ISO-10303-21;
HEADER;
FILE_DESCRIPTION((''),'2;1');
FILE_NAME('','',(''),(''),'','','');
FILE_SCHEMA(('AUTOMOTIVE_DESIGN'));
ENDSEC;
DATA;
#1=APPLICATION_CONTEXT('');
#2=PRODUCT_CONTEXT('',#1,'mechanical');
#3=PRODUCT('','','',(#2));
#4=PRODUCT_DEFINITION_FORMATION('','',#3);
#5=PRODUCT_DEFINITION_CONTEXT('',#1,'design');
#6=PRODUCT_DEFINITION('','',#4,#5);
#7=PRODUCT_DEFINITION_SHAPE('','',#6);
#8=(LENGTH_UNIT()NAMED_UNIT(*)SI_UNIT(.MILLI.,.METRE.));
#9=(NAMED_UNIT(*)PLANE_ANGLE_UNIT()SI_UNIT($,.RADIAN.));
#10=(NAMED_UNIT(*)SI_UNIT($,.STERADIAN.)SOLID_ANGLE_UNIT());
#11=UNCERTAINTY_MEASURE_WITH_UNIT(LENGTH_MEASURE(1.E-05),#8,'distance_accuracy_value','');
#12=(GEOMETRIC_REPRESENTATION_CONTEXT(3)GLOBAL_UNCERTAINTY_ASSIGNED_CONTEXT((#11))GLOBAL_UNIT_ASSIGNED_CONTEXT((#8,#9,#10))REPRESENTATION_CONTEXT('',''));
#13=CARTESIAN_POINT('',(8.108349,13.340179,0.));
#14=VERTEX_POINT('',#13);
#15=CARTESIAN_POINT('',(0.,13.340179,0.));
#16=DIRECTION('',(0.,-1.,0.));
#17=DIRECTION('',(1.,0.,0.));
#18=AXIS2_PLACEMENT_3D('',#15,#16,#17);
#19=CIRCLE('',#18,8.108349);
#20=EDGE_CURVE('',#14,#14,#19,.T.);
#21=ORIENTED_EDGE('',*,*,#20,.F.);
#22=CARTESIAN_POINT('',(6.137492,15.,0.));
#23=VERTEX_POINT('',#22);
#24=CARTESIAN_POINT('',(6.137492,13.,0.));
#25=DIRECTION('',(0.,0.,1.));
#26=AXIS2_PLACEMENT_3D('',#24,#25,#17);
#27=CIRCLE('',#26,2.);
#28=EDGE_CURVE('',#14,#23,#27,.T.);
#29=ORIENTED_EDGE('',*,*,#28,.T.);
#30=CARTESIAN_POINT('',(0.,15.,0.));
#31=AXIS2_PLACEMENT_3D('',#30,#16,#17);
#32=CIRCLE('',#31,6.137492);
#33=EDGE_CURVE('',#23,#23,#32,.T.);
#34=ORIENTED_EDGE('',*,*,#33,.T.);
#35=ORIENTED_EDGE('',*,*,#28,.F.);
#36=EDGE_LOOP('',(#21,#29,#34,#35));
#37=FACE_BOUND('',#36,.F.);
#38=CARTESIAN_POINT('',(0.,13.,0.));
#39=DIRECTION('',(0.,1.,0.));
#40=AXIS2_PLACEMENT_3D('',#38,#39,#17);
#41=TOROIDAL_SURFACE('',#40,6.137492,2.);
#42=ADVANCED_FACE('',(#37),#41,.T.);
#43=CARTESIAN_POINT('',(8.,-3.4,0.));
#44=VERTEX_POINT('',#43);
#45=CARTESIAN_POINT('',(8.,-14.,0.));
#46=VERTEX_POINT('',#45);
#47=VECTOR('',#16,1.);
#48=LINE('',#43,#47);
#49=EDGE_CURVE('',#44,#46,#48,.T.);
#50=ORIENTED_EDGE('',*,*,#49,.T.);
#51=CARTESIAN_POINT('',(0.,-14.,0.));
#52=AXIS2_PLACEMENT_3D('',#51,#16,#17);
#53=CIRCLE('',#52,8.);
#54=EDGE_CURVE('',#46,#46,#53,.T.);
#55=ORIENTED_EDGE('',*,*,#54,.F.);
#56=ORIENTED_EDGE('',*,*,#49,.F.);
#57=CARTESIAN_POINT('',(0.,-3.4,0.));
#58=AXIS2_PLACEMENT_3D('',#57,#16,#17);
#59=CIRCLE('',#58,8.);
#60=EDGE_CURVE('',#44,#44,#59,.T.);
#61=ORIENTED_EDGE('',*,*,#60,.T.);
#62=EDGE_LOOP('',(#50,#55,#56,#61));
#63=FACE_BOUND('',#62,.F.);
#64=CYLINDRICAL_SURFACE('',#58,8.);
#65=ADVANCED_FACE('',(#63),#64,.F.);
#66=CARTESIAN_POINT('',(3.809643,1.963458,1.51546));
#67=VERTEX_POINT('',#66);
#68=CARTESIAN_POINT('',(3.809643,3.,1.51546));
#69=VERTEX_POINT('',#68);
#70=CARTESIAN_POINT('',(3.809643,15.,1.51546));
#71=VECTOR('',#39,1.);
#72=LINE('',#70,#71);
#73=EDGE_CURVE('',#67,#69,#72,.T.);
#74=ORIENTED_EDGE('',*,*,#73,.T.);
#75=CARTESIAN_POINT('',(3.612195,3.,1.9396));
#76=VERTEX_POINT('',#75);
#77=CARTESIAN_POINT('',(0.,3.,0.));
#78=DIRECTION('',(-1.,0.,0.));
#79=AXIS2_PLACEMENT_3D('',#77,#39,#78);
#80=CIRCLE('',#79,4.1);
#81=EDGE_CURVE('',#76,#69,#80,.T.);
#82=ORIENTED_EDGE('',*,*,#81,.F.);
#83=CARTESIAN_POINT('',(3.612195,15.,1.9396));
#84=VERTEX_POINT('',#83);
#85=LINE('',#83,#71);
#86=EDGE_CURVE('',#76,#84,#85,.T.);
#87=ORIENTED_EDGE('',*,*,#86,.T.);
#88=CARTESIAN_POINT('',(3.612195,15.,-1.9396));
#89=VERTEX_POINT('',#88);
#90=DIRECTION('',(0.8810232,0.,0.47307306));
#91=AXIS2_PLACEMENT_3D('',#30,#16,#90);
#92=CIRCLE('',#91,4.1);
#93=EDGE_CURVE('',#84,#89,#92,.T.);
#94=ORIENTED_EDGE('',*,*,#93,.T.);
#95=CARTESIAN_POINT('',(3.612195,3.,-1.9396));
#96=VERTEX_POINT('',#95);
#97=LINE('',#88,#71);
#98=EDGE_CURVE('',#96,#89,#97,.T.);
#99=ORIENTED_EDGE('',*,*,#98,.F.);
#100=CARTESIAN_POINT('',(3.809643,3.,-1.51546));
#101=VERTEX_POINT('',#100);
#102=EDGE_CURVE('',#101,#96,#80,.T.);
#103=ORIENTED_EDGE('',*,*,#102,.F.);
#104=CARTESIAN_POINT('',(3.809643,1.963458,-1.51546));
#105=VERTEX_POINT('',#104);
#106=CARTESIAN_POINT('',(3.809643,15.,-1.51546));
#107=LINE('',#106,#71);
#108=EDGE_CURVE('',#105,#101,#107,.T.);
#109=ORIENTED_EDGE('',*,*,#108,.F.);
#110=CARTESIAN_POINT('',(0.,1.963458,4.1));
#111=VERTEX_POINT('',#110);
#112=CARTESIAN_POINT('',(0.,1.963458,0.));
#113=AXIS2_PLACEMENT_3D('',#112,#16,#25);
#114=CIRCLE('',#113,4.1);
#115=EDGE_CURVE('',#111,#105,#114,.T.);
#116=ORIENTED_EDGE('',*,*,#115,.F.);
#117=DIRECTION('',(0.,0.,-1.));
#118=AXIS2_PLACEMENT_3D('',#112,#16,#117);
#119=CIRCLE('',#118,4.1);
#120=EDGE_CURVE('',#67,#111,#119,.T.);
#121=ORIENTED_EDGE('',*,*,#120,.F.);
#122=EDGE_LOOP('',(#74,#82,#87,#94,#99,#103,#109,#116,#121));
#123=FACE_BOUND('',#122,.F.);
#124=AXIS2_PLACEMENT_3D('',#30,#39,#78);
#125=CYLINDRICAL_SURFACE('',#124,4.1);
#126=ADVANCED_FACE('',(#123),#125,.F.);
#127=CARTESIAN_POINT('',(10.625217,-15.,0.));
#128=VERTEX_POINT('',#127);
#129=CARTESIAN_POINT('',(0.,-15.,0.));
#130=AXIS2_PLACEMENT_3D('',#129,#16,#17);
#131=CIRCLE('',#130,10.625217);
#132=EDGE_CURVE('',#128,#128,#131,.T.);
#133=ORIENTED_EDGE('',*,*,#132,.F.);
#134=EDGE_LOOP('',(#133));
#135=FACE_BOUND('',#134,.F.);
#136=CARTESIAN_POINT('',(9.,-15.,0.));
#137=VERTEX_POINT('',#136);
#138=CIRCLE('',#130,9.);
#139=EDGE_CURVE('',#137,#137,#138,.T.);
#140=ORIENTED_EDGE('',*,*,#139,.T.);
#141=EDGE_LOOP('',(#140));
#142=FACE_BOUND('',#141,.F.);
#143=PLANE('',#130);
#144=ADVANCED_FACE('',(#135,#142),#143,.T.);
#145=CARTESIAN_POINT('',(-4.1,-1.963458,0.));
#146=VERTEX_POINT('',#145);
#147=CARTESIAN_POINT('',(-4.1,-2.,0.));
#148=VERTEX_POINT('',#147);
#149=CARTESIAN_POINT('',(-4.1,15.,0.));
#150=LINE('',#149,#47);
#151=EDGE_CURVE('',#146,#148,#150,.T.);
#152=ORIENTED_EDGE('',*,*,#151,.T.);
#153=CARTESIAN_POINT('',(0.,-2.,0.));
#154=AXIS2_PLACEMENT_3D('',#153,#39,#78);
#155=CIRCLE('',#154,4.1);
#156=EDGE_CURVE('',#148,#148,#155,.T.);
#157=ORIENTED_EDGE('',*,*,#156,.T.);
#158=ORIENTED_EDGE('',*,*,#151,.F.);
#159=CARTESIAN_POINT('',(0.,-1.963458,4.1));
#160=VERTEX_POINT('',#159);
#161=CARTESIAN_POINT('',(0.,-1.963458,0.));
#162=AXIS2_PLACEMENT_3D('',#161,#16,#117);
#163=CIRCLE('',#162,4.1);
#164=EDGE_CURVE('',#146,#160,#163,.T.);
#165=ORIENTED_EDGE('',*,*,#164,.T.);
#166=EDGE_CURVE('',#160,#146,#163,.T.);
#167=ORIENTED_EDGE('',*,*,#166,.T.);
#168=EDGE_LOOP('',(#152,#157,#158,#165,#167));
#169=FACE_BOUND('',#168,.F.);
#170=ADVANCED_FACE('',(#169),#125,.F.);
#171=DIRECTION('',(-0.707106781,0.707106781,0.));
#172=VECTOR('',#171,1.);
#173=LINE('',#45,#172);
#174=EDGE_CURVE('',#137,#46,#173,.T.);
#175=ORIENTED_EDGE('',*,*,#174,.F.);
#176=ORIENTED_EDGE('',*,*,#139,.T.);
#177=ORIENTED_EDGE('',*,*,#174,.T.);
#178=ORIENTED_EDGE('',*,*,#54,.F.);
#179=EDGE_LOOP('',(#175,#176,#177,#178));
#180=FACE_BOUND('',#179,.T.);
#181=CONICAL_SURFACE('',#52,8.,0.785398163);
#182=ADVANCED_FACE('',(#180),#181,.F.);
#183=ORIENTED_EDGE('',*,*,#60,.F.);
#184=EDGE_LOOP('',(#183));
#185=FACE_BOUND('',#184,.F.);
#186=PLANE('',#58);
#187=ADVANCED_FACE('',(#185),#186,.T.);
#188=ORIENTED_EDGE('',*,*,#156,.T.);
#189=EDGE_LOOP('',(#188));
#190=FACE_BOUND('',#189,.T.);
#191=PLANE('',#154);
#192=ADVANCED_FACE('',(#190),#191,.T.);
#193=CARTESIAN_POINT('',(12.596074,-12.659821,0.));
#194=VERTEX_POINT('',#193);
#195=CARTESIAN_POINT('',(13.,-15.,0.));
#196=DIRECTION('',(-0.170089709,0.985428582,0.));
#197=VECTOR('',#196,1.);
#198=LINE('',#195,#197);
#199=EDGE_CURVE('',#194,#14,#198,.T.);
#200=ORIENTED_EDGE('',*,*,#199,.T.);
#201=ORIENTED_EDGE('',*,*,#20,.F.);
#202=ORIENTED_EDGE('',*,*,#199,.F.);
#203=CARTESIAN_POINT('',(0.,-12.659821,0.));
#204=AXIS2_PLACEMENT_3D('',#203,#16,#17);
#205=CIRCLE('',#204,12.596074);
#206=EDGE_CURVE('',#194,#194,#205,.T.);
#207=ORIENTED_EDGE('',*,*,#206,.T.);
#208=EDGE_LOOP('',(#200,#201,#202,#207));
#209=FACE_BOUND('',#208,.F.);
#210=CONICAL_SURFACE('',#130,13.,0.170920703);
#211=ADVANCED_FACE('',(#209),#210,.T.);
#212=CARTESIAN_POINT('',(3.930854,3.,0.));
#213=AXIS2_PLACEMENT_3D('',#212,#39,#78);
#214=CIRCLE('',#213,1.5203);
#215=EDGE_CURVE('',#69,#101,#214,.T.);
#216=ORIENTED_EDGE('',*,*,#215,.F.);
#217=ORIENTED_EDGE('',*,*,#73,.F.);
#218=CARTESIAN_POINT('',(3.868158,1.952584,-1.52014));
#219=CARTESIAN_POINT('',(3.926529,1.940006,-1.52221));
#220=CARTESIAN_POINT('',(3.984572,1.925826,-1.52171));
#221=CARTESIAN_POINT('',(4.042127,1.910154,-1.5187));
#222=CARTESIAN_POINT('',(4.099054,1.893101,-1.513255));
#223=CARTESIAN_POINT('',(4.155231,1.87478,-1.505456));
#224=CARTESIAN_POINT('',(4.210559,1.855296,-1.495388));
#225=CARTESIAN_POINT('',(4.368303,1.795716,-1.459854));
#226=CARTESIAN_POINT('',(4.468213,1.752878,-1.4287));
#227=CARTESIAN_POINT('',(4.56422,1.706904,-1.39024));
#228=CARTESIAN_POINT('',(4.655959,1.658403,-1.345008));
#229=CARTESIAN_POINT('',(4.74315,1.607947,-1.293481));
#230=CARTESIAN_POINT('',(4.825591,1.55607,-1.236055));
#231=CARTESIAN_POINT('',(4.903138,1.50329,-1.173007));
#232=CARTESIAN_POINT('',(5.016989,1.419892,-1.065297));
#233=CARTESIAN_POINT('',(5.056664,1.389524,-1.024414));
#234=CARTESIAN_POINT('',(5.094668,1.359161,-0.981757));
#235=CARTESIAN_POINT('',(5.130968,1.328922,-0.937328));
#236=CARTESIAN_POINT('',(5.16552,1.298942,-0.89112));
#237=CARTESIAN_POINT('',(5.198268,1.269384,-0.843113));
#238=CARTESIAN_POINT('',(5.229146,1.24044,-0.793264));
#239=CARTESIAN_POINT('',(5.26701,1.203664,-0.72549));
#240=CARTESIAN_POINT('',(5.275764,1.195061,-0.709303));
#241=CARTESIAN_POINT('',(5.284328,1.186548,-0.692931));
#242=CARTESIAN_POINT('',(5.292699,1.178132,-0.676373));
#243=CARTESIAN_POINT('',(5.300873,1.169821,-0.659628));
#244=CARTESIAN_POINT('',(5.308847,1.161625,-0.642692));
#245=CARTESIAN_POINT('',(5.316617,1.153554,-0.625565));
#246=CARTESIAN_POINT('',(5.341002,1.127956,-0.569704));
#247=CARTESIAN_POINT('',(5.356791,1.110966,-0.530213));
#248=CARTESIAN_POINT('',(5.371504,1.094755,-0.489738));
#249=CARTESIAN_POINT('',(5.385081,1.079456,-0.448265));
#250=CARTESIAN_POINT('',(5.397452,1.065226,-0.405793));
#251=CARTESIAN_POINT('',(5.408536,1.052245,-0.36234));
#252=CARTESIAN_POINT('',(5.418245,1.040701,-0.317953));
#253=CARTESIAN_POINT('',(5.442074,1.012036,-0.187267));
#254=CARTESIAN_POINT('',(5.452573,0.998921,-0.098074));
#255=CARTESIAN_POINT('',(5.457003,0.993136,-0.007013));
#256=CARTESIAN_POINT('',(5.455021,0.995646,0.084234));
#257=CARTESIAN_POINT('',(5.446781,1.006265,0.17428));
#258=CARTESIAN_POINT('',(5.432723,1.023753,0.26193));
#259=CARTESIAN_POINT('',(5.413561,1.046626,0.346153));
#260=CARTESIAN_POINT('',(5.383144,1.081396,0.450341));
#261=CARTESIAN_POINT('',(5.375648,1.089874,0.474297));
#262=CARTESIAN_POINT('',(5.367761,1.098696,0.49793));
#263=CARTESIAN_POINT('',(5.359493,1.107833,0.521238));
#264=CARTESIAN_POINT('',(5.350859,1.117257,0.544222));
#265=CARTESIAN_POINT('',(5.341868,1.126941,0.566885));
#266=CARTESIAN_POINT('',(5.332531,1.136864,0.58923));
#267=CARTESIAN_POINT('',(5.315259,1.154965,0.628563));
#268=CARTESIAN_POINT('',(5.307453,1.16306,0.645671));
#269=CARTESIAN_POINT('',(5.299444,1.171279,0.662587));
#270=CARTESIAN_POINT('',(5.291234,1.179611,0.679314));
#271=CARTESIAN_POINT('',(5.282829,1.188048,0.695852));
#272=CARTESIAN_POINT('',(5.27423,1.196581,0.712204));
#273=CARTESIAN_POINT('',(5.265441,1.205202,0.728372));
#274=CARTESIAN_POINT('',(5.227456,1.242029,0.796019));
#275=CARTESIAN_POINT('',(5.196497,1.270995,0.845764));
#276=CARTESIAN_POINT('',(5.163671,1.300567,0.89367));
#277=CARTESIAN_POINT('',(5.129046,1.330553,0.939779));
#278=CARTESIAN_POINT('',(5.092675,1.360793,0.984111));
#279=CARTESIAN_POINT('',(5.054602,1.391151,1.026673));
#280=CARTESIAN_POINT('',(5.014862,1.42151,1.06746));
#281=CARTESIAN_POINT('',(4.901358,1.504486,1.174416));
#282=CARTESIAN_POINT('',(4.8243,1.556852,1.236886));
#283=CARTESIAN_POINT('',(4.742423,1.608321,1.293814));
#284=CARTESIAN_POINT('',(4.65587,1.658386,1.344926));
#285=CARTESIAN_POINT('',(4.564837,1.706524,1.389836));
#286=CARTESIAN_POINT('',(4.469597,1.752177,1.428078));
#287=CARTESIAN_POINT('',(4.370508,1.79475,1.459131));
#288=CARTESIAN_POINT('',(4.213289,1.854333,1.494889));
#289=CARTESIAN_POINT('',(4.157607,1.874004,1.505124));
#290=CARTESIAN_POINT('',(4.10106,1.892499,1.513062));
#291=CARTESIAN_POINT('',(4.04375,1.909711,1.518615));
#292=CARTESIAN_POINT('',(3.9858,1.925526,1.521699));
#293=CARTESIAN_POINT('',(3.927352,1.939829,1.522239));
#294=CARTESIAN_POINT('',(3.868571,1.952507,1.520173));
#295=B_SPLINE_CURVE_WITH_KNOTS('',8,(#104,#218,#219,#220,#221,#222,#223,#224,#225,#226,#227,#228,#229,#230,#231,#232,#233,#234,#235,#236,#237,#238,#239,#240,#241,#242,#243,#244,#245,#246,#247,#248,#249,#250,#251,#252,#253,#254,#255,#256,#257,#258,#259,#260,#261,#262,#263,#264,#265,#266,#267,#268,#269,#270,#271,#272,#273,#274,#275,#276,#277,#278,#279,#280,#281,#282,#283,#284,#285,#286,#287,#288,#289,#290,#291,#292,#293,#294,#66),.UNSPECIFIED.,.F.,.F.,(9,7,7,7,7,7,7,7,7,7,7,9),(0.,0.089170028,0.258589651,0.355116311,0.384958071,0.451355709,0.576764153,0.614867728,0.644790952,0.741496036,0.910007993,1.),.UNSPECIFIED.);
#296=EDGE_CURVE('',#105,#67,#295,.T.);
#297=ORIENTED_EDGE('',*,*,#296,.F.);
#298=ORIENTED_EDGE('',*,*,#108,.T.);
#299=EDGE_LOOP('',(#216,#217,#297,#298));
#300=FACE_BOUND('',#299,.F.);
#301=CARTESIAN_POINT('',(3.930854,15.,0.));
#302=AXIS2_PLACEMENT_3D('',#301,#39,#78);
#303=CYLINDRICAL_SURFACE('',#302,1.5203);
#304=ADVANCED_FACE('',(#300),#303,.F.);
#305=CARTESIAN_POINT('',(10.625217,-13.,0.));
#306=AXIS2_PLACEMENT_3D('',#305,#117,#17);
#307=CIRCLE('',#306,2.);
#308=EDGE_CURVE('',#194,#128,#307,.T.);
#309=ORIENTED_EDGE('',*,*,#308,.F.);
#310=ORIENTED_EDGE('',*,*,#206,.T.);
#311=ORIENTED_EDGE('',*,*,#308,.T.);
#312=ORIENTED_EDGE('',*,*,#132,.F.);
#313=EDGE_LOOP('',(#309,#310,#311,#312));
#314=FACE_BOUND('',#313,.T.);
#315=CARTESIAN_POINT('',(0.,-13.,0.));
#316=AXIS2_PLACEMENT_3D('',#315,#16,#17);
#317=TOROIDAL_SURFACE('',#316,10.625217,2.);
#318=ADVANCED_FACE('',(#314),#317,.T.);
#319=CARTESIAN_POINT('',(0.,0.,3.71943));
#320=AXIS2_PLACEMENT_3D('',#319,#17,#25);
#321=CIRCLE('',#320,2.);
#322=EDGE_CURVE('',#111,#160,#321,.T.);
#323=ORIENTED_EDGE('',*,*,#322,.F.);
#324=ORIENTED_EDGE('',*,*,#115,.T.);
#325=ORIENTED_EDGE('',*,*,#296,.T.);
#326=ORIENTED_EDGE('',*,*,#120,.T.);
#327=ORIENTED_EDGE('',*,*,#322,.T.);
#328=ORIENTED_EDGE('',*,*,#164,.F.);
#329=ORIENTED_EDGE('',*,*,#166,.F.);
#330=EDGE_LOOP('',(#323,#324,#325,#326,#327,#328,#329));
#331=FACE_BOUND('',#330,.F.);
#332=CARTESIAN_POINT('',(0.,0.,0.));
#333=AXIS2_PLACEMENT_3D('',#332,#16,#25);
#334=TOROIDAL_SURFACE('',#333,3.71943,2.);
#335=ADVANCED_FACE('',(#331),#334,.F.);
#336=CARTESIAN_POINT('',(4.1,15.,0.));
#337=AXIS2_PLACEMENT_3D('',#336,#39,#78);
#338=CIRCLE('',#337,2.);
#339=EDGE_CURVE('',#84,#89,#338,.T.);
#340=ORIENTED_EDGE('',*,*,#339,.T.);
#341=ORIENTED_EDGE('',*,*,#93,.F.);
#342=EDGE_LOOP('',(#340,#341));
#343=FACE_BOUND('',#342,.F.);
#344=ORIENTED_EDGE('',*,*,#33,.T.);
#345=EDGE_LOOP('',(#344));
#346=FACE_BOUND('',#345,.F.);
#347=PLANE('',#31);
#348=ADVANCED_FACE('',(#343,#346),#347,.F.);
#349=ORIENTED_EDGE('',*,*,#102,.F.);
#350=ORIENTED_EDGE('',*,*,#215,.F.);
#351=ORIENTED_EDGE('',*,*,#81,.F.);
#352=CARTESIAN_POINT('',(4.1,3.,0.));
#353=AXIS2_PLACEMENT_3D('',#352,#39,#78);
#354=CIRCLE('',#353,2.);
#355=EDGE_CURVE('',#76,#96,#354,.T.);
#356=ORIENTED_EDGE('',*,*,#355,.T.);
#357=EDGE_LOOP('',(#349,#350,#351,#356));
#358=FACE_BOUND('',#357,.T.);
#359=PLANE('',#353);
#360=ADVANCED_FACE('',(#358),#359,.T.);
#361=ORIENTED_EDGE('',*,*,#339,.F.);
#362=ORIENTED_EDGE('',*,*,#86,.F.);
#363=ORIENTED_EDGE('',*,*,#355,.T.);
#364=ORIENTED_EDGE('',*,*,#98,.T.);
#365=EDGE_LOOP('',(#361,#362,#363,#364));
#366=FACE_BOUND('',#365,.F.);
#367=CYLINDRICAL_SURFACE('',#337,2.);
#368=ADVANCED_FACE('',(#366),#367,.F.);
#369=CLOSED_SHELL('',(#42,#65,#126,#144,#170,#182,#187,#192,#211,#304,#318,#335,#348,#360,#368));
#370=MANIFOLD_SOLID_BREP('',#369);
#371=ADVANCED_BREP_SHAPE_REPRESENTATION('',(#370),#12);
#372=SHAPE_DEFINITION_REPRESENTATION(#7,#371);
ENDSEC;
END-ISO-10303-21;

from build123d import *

# Parameters (mm, degrees)
F2_R      = 4.1
F3_DEPTH  = 17
F4_R      = 2
F6_R      = 2
F7_DEPTH  = 12
F8_R      = 2
F9_SIZE   = 1
F10_R     = 1.5202998137
F11_DEPTH = 14


with BuildPart() as f1:
    # F0 (on Top) → F1 (revolve)
    with BuildSketch(Plane.XY):
        Polygon((13, -15), (7.821855842, 15), (0, 15), (0, -3.4), (8, -3.4), (8, -15), align=None)
    revolve(axis=Axis((0, 5.8, 0), (0, -1, 0)))

    # F2 (on face) → F3 (cut)
    with BuildSketch(Plane(origin=(0, 15, 0), x_dir=(-1, 0, 0), z_dir=(0, 1, 0))):
        Circle(F2_R)
    extrude(amount=-F3_DEPTH, mode=Mode.SUBTRACT)

    # F5: sweep along a path in F5_path
    with BuildLine(Plane(origin=(-4.1, -2, 0), x_dir=(0, 0, 1), z_dir=(0, -1, 0))) as f5_path:
        CenterArc((0, -4.1), 4.1, 0, 360)
    # F4 (on Right) → F5 (sweep, cut)
    with BuildSketch(Plane.YZ):
        with Locations((0, 3.7194299512)):
            Circle(F4_R)
    sweep(path=f5_path.line, mode=Mode.SUBTRACT)

    # F6 (on face) → F7 (cut)
    with BuildSketch(Plane(origin=(0, 15, 0), x_dir=(-1, 0, 0), z_dir=(0, 1, 0))):
        with Locations((-4.1, 0)):
            Circle(F6_R)
    extrude(amount=-F7_DEPTH, mode=Mode.SUBTRACT)

    # F8
    f8_edges = [f1.edges().sort_by_distance(p)[0] for p in [
        (-7.821856, 15, 0),
        (-13, -15, 0),
    ]]
    fillet(f8_edges, radius=F8_R)

    # F9
    f9_edges = [f1.edges().sort_by_distance(p)[0] for p in [
        (-8, -15, 0),
    ]]
    chamfer(f9_edges, length=F9_SIZE)

    # F10 (on face) → F11 (cut)
    with BuildSketch(Plane(origin=(0, 15, 0), x_dir=(-1, 0, 0), z_dir=(0, 1, 0))):
        with Locations((-3.9308541454, 0)):
            Circle(F10_R)
    extrude(amount=-F11_DEPTH, mode=Mode.SUBTRACT)


solid = f1.part
